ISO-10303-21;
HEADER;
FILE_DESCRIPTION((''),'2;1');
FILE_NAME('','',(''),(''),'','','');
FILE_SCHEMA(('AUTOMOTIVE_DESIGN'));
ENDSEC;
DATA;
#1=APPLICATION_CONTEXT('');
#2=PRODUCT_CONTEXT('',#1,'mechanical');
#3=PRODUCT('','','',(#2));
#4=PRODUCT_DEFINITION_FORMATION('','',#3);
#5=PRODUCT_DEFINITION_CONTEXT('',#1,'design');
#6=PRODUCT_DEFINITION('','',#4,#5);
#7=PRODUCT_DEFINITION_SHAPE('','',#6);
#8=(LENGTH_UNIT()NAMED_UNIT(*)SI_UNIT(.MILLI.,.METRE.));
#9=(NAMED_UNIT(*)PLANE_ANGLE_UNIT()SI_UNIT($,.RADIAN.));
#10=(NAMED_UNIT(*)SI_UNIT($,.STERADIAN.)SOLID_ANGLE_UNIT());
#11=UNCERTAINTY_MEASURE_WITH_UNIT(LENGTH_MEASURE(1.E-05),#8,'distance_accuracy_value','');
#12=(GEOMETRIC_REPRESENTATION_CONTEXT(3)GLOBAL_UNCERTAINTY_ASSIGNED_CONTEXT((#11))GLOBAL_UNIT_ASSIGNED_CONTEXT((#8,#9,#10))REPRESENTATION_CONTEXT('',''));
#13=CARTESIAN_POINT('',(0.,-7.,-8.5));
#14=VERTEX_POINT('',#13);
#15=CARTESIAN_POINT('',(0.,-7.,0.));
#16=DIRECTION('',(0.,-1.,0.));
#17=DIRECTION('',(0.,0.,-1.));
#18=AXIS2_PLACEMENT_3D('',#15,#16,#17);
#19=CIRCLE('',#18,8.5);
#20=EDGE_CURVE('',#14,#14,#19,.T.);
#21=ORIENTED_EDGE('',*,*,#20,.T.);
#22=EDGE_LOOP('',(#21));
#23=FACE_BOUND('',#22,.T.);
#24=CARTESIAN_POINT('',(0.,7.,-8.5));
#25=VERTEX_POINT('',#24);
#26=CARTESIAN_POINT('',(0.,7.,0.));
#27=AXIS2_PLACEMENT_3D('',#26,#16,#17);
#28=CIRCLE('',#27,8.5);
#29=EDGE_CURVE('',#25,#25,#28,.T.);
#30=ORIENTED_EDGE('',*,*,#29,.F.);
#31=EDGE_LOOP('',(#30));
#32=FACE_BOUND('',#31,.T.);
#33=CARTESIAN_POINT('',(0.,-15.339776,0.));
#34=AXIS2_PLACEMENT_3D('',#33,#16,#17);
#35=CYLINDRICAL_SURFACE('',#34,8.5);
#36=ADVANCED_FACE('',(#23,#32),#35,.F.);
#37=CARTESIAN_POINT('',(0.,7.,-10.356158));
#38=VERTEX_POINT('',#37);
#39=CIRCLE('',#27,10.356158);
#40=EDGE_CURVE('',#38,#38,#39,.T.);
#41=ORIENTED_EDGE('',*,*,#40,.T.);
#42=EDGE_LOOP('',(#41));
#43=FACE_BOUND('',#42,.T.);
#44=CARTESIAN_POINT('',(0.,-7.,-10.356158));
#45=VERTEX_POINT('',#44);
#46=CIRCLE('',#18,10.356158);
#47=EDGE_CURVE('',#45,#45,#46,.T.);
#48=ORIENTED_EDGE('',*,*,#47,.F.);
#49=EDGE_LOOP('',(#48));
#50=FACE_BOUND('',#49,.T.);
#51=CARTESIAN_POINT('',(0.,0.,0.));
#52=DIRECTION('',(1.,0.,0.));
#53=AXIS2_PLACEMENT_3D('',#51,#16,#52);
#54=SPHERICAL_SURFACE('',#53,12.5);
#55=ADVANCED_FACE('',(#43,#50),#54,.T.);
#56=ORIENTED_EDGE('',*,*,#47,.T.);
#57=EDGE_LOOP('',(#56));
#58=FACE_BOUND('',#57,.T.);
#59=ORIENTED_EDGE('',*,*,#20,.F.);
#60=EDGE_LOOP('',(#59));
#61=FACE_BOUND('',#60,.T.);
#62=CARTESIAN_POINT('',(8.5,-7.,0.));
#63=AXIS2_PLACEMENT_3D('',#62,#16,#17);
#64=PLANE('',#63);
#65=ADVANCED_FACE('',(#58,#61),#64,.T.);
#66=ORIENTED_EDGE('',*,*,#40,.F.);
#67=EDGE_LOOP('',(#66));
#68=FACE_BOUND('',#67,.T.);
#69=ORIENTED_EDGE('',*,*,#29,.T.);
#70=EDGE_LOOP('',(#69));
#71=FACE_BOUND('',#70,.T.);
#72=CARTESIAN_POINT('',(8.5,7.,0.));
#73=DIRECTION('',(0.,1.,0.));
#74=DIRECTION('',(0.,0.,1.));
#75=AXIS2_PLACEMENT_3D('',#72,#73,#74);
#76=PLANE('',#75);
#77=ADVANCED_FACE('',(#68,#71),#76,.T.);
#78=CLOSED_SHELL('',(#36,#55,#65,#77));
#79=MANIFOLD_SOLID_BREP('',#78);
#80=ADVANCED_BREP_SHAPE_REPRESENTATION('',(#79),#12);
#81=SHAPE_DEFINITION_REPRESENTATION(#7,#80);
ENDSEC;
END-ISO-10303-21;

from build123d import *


with BuildPart() as part:
    # Esquisse1 → Révolution1 (revolve)
    with BuildSketch(Plane.XY):
        with BuildLine():
            Line((8.5, -7), (10.356157589, -7))
            ThreePointArc((10.356157589, -7), (12.5, 0), (10.356157589, 7))
            Line((10.356157589, 7), (8.5, 7))
            Line((8.5, 7), (8.5, -7))
        make_face()
    revolve(axis=Axis((0, -15.339775559, 0), (0, 1, 0)))


solid = part.part
